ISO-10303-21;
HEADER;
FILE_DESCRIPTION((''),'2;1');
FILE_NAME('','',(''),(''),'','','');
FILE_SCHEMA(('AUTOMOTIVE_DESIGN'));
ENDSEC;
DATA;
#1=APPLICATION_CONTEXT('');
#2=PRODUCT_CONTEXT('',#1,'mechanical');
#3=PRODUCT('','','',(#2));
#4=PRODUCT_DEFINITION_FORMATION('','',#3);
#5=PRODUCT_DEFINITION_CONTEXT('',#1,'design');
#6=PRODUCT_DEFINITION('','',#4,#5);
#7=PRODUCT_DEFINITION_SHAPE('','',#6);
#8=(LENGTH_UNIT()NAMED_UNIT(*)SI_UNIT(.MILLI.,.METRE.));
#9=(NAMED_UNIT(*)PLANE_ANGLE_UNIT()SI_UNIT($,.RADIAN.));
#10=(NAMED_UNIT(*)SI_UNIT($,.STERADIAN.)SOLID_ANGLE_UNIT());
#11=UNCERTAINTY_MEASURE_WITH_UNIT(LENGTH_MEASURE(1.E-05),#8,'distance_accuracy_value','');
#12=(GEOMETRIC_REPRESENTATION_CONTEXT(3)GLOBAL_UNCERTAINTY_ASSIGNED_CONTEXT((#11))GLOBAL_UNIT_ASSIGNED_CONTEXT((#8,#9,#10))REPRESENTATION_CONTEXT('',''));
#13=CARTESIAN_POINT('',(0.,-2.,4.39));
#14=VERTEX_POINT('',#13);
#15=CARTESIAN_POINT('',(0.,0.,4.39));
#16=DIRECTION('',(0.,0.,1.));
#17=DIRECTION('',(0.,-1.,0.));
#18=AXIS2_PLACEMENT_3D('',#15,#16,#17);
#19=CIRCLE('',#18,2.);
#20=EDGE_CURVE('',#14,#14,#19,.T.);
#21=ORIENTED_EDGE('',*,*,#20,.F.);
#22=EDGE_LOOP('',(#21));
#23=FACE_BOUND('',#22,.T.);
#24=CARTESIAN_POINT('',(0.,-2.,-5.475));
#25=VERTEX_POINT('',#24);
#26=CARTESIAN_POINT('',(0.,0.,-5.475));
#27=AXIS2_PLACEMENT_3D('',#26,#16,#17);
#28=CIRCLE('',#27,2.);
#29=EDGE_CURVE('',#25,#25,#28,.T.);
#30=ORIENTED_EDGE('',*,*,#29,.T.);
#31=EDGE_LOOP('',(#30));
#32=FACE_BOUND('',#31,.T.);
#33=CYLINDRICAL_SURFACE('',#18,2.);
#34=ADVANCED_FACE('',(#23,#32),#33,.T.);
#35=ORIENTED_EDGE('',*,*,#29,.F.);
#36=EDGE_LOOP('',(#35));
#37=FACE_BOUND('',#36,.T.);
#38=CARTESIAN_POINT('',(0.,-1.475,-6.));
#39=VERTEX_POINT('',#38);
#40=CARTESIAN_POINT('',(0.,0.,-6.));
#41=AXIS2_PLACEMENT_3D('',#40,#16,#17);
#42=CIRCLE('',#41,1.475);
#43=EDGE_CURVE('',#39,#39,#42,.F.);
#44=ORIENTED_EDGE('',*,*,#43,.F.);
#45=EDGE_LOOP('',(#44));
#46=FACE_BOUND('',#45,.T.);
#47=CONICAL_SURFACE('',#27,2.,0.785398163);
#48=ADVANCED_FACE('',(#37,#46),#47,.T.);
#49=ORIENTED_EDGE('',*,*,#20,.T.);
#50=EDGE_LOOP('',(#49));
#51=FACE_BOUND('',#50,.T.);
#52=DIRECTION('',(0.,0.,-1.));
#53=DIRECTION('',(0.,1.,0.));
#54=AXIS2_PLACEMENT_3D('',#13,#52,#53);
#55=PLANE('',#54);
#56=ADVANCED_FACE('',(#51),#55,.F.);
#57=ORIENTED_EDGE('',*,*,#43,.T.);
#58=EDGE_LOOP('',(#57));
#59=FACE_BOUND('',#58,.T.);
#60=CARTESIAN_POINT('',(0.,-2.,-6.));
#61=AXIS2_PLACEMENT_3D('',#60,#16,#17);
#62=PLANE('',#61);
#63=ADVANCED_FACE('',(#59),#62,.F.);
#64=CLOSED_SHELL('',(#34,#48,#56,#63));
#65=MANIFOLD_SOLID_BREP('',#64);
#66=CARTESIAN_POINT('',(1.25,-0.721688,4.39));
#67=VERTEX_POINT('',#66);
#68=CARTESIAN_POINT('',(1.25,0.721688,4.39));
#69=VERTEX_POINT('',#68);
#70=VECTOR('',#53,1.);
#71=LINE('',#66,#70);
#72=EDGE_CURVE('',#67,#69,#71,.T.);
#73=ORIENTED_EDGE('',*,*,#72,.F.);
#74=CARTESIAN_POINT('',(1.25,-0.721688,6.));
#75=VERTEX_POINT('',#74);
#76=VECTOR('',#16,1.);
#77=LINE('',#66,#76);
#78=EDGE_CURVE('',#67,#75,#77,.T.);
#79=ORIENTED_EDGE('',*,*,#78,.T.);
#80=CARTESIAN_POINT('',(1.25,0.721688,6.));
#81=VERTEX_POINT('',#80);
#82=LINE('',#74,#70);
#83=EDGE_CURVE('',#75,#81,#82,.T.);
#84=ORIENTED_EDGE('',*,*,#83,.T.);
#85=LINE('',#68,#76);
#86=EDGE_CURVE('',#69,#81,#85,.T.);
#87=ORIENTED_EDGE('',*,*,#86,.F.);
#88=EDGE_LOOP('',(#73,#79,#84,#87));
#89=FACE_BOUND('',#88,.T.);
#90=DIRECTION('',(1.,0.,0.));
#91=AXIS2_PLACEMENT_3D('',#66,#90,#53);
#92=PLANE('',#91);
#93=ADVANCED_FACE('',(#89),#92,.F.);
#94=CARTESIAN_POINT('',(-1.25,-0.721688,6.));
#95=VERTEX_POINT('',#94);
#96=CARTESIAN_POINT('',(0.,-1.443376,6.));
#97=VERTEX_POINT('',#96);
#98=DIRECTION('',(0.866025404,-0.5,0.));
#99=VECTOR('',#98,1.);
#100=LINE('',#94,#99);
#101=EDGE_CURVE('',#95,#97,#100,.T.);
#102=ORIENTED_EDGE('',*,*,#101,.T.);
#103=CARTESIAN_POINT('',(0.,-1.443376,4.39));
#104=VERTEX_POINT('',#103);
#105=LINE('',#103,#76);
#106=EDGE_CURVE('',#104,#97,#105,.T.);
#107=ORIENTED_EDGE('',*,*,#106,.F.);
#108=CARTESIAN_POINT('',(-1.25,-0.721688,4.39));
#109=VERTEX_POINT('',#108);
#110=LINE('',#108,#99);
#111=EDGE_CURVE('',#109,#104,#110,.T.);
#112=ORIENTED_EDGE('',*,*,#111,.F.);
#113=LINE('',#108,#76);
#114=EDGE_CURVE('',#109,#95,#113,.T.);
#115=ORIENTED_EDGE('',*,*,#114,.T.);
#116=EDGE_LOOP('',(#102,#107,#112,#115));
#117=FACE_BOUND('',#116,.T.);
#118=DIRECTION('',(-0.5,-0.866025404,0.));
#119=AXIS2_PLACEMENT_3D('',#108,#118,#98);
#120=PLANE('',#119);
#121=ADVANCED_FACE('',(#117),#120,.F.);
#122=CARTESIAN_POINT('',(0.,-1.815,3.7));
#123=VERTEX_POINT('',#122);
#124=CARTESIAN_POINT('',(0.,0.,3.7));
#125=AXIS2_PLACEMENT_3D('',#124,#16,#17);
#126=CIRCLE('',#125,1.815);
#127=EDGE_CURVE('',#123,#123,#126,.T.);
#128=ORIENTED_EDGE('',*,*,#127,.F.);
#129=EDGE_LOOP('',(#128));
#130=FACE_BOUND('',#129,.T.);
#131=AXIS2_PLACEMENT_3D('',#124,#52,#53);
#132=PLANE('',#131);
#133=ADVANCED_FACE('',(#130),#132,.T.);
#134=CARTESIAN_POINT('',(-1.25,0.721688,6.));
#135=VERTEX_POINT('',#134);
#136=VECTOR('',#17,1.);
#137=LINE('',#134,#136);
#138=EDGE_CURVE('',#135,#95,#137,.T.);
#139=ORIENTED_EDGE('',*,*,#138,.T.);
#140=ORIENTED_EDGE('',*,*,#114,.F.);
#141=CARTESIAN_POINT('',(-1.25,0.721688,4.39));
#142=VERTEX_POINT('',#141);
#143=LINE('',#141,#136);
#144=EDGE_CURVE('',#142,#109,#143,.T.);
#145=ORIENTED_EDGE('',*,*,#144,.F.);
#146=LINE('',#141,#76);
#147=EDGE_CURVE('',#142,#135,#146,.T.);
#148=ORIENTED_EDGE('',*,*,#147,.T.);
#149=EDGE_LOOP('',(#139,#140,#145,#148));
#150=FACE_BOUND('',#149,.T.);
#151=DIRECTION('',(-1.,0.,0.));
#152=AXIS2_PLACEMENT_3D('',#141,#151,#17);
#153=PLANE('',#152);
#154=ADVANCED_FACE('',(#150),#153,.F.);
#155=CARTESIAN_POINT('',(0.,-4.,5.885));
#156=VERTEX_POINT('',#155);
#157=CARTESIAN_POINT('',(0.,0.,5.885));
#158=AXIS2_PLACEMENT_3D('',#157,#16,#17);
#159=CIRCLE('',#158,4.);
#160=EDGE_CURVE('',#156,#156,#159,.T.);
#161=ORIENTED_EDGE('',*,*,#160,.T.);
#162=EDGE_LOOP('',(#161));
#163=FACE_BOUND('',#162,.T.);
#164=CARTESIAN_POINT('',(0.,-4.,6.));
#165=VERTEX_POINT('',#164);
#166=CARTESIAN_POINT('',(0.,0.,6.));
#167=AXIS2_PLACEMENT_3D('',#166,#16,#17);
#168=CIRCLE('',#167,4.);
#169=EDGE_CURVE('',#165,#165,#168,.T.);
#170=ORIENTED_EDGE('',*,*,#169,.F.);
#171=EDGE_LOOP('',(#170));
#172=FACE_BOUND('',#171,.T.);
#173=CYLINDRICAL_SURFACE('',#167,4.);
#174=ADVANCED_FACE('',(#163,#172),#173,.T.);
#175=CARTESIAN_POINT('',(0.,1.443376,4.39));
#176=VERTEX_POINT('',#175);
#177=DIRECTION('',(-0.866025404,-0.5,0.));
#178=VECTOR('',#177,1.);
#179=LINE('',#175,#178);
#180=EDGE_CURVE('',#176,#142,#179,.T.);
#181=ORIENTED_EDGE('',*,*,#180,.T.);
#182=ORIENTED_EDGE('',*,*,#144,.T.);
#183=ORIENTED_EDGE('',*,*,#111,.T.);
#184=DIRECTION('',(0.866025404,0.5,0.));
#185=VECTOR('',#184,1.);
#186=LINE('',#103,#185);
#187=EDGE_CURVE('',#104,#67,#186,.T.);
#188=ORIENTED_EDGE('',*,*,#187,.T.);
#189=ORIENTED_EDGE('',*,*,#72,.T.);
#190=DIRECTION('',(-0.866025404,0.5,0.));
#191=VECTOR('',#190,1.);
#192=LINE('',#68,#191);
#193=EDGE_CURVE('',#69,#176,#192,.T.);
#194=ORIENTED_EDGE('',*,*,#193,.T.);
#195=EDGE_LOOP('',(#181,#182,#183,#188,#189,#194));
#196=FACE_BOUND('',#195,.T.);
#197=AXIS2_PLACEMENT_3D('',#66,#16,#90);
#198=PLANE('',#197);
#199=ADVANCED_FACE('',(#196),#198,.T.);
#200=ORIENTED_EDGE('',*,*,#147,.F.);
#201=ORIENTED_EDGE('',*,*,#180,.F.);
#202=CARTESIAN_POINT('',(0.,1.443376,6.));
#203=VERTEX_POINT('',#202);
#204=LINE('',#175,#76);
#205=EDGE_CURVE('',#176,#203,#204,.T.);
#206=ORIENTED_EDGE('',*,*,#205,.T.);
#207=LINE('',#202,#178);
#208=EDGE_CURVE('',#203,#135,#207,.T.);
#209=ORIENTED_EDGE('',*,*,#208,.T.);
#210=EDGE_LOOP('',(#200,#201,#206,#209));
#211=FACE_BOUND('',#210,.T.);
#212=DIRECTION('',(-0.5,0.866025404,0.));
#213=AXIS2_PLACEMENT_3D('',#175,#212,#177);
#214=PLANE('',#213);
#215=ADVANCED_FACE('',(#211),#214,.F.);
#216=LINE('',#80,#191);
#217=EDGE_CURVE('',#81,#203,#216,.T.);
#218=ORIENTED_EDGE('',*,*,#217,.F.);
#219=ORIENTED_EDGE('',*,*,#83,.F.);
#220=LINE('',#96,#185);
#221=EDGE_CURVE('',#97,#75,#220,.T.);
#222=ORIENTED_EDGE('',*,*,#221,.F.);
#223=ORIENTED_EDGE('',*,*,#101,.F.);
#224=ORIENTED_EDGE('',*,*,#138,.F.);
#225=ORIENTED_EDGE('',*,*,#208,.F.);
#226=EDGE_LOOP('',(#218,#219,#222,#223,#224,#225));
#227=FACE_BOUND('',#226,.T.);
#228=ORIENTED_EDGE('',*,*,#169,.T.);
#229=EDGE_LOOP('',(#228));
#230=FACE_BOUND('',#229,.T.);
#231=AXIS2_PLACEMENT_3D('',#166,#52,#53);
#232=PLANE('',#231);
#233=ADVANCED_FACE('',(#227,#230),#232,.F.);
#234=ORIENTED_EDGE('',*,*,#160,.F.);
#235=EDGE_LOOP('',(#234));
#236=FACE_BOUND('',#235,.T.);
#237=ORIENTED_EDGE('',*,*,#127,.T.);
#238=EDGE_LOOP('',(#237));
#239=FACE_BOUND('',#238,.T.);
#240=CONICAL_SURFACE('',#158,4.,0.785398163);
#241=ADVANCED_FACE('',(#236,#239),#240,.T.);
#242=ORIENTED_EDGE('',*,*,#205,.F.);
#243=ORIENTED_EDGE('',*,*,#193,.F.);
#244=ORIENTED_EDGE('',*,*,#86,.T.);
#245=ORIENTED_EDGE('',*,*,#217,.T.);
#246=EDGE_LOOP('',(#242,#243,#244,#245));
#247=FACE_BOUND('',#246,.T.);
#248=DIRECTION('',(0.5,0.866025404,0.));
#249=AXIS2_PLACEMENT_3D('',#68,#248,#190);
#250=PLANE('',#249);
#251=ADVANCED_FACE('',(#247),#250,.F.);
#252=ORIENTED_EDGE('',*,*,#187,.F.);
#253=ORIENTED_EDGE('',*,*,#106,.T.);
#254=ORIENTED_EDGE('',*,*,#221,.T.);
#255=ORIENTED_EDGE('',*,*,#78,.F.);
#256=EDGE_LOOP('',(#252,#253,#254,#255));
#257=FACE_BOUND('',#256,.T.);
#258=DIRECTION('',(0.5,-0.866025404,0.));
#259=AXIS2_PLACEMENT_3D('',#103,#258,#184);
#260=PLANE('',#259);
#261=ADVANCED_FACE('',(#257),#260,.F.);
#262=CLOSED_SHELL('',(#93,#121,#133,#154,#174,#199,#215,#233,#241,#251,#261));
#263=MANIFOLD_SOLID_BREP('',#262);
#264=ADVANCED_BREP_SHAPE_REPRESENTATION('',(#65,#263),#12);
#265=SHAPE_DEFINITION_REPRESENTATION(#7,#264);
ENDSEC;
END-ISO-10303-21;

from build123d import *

# Parameters (mm, degrees)
CHAMFER1_SIZE      = 0.525
CUT_EXTRUDE2_DEPTH = 1.61


with BuildPart() as part:
    # Sketch1 → Revolve1 (revolve)
    with BuildSketch(Plane(origin=(0, 0, 0), x_dir=(0, 0, -1), z_dir=(1, 0, 0))):
        Polygon((-3.7, 2), (6, 2), (6, 0), (-4.39, 0), (-4.39, 2), align=None)
    revolve(axis=Axis((0, 0, 4.39), (0, 0, -1)))

    # Chamfer1
    chamfer1_edges = [part.edges().sort_by_distance(p)[0] for p in [
        (0, -2, -6),
    ]]
    chamfer(chamfer1_edges, length=CHAMFER1_SIZE)


with BuildPart() as body_2:
    # Sketch7 → Revolve2 (revolve)
    with BuildSketch(Plane(origin=(0, 0, 0), x_dir=(0, 0, -1), z_dir=(1, 0, 0))):
        Polygon((-5.885, 4), (-6, 4), (-6, 0), (-3.7, 0), (-3.7, 1.815), align=None)
    revolve(axis=Axis((0, 0, 6), (0, 0, -1)))

    # Sketch5 → Cut-Extrude2 (cut)
    with BuildSketch(Plane.XY.offset(6)):
        Polygon((1.25, -0.721687836), (1.25, 0.721687836), (0, 1.443375673), (-1.25, 0.721687836), (-1.25, -0.721687836), (0, -1.443375673), align=None)
    extrude(amount=-CUT_EXTRUDE2_DEPTH, mode=Mode.SUBTRACT)


solid = Compound([part.part, body_2.part])
